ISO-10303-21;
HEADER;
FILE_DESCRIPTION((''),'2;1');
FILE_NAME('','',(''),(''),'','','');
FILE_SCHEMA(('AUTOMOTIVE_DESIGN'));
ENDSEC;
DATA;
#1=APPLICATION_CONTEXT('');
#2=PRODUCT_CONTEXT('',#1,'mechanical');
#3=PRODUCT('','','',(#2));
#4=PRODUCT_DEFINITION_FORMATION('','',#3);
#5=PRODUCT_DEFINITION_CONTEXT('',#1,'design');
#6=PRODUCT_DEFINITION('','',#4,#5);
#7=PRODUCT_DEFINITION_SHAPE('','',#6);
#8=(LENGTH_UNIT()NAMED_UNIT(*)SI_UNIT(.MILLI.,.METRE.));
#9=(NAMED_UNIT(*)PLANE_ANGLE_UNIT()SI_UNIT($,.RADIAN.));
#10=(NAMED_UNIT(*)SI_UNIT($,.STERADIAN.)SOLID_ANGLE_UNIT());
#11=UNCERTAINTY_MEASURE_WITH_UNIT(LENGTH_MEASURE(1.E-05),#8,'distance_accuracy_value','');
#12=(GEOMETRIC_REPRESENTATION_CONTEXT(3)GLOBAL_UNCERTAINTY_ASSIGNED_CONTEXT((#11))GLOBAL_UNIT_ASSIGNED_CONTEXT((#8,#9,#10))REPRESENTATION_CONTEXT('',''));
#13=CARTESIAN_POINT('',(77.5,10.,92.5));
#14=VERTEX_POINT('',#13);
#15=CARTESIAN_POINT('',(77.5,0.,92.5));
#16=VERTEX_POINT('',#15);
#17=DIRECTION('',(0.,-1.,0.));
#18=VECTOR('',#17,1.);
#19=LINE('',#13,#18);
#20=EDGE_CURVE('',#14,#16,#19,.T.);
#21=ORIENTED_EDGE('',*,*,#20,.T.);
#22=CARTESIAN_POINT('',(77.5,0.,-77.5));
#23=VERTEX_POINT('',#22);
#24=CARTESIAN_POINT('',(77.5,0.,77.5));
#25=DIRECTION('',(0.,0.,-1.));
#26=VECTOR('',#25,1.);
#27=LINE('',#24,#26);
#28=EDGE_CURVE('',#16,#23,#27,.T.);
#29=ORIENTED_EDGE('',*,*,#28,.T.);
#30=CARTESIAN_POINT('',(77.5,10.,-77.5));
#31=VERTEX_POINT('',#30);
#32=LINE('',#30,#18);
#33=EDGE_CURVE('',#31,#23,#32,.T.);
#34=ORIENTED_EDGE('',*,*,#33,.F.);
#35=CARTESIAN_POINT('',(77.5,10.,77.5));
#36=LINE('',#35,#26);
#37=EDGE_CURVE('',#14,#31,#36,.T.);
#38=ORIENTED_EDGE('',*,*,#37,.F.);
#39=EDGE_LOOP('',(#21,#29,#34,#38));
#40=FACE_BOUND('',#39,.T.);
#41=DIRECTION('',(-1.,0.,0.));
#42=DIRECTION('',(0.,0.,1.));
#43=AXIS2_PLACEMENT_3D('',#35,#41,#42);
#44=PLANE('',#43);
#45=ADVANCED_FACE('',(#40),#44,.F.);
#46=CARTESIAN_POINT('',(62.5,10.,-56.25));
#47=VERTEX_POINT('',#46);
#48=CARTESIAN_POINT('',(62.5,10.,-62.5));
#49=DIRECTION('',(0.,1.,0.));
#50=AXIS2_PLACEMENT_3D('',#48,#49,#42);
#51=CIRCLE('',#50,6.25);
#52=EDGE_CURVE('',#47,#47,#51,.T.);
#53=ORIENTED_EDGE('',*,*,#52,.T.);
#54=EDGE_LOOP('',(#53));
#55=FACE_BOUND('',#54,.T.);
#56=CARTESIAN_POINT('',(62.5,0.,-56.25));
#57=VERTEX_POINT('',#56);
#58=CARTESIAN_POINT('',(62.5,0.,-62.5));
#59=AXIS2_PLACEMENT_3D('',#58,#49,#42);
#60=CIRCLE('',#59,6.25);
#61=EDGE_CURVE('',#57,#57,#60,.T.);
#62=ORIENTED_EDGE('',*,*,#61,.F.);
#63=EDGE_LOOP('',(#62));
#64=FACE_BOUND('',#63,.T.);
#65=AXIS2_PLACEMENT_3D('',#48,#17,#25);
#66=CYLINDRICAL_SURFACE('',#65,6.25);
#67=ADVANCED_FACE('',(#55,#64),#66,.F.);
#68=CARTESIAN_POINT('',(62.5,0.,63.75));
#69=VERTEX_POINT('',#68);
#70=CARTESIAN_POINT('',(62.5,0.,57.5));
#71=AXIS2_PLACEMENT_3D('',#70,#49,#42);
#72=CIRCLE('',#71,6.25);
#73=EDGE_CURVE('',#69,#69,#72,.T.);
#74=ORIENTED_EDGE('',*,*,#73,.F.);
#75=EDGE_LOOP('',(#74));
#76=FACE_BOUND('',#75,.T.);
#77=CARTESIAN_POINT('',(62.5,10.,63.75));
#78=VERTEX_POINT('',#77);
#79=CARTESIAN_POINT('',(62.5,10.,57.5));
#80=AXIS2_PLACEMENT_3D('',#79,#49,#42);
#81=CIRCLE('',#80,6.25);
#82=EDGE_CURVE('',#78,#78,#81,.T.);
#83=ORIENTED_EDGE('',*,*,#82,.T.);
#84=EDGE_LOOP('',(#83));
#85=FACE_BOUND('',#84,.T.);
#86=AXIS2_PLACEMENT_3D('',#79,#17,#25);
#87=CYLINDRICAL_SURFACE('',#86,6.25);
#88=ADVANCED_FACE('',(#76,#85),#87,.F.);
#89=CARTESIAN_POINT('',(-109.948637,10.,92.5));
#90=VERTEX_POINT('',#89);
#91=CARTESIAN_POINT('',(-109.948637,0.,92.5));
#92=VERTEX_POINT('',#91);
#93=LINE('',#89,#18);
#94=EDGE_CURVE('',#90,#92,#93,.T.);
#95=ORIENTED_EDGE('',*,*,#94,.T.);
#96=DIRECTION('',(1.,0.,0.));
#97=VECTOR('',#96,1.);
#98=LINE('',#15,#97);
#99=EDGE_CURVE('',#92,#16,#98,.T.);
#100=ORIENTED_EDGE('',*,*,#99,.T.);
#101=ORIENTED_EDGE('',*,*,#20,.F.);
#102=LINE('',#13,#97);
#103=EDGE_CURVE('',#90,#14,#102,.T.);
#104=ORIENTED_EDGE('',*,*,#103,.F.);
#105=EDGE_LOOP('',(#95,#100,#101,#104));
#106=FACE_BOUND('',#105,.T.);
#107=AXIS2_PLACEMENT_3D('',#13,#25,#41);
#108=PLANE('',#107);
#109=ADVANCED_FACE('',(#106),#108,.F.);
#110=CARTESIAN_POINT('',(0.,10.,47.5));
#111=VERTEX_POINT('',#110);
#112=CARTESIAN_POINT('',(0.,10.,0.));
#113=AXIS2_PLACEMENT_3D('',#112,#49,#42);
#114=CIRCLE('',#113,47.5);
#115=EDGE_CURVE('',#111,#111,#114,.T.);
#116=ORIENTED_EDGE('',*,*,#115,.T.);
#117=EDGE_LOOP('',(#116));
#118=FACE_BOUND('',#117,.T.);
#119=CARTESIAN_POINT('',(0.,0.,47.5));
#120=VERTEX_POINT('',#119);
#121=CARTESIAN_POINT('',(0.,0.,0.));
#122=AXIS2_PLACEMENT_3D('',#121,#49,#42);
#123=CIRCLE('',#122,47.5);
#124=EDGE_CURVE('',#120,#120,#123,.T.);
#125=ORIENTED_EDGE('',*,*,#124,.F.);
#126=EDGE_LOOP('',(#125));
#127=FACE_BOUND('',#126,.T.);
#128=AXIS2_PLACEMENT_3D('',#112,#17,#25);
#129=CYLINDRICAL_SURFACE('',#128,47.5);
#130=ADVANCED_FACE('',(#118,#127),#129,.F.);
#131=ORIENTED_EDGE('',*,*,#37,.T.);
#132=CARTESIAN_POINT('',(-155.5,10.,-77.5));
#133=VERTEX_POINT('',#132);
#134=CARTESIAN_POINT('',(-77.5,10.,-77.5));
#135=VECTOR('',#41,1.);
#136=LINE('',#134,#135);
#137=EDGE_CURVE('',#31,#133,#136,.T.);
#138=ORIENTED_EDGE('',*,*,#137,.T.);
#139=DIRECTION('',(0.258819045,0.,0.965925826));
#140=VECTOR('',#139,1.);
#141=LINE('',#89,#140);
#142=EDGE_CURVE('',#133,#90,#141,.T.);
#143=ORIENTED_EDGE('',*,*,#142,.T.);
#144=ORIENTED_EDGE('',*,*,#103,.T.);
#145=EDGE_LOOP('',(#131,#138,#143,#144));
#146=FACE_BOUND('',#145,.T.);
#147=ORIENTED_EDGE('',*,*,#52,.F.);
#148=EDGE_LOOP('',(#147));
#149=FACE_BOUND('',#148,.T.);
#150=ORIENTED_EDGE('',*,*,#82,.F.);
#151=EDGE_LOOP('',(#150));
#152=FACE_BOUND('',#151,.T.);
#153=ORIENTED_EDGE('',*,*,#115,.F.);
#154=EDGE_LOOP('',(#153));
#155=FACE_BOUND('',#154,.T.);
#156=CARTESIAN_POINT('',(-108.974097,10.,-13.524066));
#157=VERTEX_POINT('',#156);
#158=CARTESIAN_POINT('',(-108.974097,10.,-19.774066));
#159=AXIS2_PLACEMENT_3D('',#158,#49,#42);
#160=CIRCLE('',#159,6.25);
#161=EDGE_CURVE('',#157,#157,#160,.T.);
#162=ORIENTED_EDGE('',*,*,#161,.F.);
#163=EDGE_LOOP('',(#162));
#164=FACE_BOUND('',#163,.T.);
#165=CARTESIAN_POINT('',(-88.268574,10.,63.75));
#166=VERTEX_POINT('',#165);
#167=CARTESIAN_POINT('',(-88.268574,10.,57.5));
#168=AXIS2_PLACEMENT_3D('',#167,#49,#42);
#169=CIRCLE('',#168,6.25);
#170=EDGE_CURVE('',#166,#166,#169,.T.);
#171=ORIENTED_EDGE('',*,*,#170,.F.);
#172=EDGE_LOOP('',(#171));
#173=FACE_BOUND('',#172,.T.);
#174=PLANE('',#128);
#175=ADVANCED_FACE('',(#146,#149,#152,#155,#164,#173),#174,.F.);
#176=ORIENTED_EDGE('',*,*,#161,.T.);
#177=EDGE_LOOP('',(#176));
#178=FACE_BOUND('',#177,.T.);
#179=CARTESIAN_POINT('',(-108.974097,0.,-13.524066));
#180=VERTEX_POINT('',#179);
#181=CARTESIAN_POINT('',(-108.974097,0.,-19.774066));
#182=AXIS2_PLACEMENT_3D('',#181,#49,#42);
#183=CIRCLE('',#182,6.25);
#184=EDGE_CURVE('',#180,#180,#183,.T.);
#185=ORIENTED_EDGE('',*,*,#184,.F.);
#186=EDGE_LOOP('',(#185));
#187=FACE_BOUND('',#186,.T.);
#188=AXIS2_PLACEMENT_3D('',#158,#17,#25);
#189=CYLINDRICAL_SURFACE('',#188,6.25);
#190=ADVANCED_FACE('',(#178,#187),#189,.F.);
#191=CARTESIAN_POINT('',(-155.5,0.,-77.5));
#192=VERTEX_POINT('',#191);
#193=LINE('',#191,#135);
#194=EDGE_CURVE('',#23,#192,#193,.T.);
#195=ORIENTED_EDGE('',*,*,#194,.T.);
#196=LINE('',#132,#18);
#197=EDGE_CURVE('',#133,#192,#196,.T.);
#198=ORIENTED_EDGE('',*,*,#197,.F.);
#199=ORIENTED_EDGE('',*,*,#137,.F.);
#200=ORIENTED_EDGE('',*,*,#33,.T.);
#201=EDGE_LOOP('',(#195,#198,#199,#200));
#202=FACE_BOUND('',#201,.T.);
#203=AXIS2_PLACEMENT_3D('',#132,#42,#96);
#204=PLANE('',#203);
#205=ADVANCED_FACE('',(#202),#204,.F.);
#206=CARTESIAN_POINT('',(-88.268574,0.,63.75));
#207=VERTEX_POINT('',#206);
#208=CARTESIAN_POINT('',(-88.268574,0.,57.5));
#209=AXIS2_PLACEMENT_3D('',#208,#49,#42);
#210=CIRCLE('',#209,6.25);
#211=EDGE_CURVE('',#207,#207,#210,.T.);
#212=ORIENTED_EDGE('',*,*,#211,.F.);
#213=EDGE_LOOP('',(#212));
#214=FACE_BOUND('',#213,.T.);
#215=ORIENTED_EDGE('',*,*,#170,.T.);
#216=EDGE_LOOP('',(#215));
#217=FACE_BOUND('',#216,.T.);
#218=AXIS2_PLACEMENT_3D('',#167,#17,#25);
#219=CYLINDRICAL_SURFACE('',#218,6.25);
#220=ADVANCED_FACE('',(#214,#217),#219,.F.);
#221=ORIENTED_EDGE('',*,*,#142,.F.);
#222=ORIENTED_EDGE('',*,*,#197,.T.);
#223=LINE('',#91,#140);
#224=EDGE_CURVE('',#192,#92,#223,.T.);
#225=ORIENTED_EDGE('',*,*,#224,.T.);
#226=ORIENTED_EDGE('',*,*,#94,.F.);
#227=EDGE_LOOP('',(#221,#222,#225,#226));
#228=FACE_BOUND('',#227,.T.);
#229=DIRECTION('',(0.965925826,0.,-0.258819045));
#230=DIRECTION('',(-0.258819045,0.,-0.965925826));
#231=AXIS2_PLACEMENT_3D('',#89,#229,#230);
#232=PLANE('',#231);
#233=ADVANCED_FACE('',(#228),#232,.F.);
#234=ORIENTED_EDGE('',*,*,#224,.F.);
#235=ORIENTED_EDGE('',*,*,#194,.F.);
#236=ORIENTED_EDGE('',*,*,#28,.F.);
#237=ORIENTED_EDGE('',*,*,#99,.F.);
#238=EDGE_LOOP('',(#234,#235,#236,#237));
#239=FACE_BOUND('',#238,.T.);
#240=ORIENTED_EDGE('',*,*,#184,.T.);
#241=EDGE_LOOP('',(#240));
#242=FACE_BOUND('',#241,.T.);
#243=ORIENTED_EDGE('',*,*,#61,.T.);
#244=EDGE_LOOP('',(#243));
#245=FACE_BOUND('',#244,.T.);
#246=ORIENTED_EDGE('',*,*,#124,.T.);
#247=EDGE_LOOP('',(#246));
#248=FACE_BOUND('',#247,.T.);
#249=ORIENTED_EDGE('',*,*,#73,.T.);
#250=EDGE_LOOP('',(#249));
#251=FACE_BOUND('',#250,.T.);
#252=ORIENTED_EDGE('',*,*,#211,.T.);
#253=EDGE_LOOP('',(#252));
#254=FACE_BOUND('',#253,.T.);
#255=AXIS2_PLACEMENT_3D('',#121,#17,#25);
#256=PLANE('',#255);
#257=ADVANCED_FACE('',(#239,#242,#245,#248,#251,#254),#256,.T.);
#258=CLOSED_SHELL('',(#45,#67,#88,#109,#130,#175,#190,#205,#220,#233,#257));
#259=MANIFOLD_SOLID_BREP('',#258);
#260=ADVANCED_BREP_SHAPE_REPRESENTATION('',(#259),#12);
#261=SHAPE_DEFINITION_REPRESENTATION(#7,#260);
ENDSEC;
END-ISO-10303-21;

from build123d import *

# Parameters (mm, degrees)
SZKIC3_R                    = 47.5
SZKIC3_R_2                  = 6.25
DODANIE_WYCI_GNI_CIE2_DEPTH = 10


with BuildPart() as part:
    # Szkic3 → Dodanie-wyciągnięcie2 (new body)
    with BuildSketch(Plane(origin=(0, 0, 0), x_dir=(1, 0, 0), z_dir=(0, 1, 0))):
        Polygon((-77.5, 77.5), (77.5, 77.5), (77.5, -77.5), (77.5, -92.5), (-109.948637287, -92.5), (-155.5, 77.5), align=None)
        Circle(SZKIC3_R, mode=Mode.SUBTRACT)
        with Locations((62.5, 62.5)):
            Circle(SZKIC3_R_2, mode=Mode.SUBTRACT)
        with Locations((62.5, -57.5)):
            Circle(SZKIC3_R_2, mode=Mode.SUBTRACT)
        with Locations((-88.268573609, -57.5)):
            Circle(SZKIC3_R_2, mode=Mode.SUBTRACT)
        with Locations((-108.974097218, 19.774066103)):
            Circle(SZKIC3_R_2, mode=Mode.SUBTRACT)
    extrude(amount=DODANIE_WYCI_GNI_CIE2_DEPTH)


solid = part.part
